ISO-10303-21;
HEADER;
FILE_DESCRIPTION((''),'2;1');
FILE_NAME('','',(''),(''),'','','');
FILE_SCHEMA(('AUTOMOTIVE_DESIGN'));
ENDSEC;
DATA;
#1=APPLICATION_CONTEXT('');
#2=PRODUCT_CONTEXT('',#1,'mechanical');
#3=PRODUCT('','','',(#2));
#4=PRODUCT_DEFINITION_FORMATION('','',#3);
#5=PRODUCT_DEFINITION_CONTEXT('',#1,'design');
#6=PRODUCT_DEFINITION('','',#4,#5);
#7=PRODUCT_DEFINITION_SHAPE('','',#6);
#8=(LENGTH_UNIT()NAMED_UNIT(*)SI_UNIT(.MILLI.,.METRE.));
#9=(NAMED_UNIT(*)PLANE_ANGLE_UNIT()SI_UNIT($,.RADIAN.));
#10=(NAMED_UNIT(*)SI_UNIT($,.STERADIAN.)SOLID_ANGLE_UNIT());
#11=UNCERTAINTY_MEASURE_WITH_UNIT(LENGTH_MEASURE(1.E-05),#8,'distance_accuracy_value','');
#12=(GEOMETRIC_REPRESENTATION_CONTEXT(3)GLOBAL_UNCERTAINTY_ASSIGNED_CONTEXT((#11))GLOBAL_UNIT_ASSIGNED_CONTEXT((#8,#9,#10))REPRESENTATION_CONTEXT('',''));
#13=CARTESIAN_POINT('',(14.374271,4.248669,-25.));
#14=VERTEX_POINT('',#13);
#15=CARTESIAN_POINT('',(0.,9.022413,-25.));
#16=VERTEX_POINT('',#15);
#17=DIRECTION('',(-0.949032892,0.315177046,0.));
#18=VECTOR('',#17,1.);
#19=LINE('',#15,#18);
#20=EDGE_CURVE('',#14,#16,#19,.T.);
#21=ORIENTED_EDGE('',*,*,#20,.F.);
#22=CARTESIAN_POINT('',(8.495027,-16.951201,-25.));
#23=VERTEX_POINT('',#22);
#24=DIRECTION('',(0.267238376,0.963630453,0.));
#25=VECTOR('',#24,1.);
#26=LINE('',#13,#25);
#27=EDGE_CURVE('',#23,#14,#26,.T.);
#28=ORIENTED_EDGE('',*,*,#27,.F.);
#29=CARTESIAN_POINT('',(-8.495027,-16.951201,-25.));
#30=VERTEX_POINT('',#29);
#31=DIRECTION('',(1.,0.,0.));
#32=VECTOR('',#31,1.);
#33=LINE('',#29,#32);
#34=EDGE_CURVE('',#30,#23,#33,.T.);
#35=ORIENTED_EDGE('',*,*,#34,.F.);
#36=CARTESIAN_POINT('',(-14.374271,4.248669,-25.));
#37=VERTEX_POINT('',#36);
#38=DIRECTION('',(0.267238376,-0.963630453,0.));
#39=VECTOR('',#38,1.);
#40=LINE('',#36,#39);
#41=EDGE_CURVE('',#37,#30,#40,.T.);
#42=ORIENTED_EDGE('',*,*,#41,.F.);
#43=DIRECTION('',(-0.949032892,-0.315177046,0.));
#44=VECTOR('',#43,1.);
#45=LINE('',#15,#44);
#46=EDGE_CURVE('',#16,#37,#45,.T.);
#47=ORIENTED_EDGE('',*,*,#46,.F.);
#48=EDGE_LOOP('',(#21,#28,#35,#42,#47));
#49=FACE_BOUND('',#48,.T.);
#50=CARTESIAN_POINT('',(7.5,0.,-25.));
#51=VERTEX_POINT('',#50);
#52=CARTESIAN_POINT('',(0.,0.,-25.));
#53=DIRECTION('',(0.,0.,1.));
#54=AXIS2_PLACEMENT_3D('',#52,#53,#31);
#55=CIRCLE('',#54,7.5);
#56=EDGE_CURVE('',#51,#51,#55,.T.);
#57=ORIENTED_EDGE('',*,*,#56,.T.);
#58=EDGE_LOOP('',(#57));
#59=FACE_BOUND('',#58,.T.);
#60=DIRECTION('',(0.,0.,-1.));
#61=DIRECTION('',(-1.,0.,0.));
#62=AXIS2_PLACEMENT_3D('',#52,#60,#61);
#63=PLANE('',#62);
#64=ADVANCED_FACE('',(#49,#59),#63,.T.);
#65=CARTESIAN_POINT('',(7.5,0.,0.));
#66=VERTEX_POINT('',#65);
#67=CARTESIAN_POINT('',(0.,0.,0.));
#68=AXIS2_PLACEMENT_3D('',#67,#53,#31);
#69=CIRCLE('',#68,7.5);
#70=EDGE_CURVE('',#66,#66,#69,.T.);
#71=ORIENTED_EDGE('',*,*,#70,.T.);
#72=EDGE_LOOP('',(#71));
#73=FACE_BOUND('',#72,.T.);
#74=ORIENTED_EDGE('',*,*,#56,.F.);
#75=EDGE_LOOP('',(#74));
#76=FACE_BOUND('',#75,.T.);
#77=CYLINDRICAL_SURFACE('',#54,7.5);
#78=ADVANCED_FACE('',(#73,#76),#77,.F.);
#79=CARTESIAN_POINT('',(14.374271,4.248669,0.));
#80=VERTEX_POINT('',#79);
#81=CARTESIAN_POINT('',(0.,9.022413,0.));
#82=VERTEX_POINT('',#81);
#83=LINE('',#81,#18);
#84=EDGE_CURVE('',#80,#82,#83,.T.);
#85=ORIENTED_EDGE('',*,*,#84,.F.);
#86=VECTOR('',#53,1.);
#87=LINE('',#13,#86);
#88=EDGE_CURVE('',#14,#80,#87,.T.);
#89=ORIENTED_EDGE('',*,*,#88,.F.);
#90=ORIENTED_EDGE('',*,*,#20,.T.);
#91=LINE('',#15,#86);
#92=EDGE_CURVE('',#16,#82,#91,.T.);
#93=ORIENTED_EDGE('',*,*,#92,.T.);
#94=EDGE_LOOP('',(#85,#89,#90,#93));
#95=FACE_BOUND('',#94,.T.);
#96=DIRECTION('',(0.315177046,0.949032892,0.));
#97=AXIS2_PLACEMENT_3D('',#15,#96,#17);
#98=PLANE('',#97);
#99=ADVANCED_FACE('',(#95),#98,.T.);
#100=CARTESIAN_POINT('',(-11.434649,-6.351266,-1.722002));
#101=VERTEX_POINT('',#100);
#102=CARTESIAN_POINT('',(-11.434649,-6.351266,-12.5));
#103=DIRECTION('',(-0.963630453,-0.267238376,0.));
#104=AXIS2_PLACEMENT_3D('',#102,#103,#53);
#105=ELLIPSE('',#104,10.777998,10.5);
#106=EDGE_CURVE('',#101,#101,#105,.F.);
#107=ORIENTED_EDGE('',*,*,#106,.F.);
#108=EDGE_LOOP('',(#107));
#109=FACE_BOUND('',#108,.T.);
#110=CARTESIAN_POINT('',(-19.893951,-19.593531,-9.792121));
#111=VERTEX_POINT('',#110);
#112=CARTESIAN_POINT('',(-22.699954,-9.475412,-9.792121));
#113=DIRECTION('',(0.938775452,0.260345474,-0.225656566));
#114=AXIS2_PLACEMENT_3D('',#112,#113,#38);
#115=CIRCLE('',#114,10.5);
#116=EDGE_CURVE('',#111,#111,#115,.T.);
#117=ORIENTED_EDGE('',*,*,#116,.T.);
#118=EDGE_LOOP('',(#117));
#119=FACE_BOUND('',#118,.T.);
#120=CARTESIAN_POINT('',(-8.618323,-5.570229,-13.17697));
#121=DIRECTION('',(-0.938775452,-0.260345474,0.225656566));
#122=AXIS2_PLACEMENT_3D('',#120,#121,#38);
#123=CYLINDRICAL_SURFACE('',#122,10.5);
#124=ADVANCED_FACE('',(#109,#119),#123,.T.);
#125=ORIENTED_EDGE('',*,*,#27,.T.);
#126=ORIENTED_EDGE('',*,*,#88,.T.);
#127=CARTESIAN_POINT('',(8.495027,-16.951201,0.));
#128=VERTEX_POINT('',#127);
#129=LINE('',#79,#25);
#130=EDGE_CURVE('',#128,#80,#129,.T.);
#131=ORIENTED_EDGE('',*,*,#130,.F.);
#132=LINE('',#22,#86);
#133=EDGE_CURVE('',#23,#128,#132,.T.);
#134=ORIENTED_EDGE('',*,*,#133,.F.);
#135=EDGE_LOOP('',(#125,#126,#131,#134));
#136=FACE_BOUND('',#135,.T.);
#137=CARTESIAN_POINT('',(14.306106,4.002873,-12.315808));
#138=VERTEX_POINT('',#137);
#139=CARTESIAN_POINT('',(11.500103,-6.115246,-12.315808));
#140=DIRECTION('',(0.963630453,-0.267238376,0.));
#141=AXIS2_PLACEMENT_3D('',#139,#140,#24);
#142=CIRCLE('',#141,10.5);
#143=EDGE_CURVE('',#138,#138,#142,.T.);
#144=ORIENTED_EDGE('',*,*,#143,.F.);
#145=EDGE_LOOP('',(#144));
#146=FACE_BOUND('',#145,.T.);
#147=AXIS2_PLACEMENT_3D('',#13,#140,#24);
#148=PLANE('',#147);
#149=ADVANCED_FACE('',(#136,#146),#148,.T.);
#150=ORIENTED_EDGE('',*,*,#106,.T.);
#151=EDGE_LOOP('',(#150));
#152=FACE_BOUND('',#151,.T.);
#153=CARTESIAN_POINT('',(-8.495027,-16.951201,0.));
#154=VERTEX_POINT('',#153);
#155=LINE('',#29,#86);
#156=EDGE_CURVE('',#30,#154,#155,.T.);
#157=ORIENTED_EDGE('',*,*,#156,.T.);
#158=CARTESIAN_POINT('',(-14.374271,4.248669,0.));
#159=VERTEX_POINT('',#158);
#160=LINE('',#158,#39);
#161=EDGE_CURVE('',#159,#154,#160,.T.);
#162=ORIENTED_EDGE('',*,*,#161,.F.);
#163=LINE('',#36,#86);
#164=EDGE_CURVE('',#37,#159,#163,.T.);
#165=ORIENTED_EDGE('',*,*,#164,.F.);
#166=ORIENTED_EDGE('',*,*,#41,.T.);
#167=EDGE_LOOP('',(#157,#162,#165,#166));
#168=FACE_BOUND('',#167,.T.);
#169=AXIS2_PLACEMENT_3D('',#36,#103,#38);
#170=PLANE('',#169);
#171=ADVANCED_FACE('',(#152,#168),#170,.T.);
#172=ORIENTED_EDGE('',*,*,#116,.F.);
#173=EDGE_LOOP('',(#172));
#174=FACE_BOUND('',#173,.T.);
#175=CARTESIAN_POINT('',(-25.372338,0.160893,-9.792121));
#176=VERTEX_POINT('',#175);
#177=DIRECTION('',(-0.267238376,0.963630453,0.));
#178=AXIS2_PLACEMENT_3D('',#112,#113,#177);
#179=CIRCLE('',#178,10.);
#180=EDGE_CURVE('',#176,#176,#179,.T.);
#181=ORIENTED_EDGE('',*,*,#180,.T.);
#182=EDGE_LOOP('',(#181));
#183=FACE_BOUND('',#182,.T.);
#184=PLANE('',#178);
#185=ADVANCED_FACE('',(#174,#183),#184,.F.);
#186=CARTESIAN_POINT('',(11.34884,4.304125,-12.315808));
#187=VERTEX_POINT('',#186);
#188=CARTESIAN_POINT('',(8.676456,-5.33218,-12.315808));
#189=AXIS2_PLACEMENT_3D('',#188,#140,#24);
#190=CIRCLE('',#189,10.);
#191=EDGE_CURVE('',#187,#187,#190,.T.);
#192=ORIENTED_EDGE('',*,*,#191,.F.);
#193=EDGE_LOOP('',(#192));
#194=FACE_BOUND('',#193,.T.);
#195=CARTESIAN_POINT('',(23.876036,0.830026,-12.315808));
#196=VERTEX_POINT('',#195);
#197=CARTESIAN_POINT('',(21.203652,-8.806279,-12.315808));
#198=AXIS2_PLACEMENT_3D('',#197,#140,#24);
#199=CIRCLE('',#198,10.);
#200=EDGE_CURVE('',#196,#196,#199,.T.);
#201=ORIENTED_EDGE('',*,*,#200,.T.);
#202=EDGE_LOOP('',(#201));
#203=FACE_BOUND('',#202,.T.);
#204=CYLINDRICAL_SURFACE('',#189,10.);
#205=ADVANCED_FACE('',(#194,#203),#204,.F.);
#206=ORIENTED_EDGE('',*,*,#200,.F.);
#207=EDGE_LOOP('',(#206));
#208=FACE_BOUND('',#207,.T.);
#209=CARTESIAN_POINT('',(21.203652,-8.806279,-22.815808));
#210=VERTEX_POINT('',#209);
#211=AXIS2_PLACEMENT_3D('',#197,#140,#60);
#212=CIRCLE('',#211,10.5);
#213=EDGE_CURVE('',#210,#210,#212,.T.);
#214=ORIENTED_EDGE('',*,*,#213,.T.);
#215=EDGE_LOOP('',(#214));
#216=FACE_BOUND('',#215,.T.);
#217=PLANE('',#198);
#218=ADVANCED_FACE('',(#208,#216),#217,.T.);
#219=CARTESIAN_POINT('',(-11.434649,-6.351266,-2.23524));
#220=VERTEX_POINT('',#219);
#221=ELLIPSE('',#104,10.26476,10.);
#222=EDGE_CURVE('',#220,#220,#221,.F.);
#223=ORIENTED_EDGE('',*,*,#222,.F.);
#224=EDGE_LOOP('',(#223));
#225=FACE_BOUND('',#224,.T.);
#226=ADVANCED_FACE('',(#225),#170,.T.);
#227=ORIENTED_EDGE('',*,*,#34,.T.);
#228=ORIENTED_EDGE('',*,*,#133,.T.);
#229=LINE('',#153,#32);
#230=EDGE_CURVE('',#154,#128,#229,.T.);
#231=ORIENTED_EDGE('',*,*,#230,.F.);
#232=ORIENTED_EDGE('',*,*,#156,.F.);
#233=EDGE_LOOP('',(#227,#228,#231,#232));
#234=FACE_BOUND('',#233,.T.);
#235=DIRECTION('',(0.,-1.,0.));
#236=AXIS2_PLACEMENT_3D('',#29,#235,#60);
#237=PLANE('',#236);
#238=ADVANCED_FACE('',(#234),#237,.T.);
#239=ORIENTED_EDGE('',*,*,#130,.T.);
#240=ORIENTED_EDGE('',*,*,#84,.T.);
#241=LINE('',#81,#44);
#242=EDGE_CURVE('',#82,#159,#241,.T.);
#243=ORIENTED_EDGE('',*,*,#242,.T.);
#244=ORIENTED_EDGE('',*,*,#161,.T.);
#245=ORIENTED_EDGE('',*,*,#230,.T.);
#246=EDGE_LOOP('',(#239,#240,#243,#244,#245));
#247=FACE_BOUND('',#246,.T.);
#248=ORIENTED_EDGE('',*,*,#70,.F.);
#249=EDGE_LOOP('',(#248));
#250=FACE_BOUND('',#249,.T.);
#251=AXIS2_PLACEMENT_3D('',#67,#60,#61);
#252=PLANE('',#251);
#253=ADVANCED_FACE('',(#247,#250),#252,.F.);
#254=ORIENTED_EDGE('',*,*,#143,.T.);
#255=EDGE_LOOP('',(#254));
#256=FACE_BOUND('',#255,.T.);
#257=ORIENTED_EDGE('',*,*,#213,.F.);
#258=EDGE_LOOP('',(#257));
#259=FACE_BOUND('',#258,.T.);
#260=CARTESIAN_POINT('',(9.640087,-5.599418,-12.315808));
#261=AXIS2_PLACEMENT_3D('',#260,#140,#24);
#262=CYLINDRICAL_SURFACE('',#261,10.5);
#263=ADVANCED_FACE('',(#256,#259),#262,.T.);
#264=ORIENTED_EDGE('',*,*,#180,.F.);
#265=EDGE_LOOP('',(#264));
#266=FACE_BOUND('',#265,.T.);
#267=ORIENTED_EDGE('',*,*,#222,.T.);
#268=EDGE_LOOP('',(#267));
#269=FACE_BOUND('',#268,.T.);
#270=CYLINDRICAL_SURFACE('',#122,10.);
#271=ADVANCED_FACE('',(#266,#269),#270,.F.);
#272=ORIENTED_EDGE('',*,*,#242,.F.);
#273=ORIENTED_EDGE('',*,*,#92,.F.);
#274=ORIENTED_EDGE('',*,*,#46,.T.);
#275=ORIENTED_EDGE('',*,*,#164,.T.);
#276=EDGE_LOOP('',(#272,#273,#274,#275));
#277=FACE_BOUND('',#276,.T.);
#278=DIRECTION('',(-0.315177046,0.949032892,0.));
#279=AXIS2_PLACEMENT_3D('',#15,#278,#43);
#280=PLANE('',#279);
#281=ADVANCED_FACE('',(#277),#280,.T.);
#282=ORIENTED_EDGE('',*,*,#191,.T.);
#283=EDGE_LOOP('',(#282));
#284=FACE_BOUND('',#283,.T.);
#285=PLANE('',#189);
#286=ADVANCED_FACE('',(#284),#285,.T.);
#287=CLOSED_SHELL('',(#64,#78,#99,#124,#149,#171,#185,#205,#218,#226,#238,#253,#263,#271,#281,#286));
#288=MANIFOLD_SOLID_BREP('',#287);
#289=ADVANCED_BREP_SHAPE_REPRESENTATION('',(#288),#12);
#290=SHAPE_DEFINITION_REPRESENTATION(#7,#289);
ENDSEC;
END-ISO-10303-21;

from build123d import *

# Parameters (mm, degrees)
SKETCH2_R                = 7.5
BOSS_EXTRUDE1_DEPTH      = 25
SKETCH14_R               = 10.5
SKETCH14_R_2             = 10
EXTRUDE_THIN3_DEPTH      = 3
EXTRUDE_THIN3_DEPTH_BACK = 12
SKETCH8_R                = 10
CUT_EXTRUDE4_DEPTH       = 13
SKETCH12_R               = 10.5
SKETCH12_R_2             = 10
EXTRUDE_THIN2_DEPTH      = 12


with BuildPart() as part:
    # Sketch2 → Boss-Extrude1 (new body)
    with BuildSketch(Plane.XY):
        Polygon((0, 9.022413356), (-14.374271139, 4.248669099), (-8.495026865, -16.951200871), (8.495026865, -16.951200871), (14.374271139, 4.248669099), align=None)
        Circle(SKETCH2_R, mode=Mode.SUBTRACT)
    extrude(amount=-BOSS_EXTRUDE1_DEPTH)

    # Sketch14 → Extrude-Thin3 (add, two sides)
    with BuildSketch(Plane(origin=(-8.98162527, -2.490825133, 2.158943025), x_dir=(0.267238376, -0.963630453, 0), z_dir=(0.938775452, 0.260345474, -0.225656566))) as extrude_thin3_sk:
        with Locations((3.064496194, 15.047052931)):
            Circle(SKETCH14_R)
        with Locations((3.064496194, 15.047052931)):
            Circle(SKETCH14_R_2, mode=Mode.SUBTRACT)
    extrude(amount=EXTRUDE_THIN3_DEPTH)
    extrude(extrude_thin3_sk.sketch, amount=-EXTRUDE_THIN3_DEPTH_BACK)

    # Sketch8 → Cut-Extrude4 (cut)
    with BuildSketch(Plane(origin=(21.957149201, -6.089256391, 0), x_dir=(0, 0, -1), z_dir=(0.963630453, -0.267238376, 0))):
        with Locations((12.31580825, -2.819568794)):
            Circle(SKETCH8_R)
    extrude(amount=-CUT_EXTRUDE4_DEPTH, mode=Mode.SUBTRACT)

    # Sketch12 → Extrude-Thin2 (add)
    with BuildSketch(Plane(origin=(21.957149201, -6.089256391, 0), x_dir=(0, 0, -1), z_dir=(0.963630453, -0.267238376, 0))):
        with Locations((12.31580825, -2.819568794)):
            Circle(SKETCH12_R)
        with Locations((12.31580825, -2.819568794)):
            Circle(SKETCH12_R_2, mode=Mode.SUBTRACT)
    extrude(amount=-EXTRUDE_THIN2_DEPTH)


solid = part.part
